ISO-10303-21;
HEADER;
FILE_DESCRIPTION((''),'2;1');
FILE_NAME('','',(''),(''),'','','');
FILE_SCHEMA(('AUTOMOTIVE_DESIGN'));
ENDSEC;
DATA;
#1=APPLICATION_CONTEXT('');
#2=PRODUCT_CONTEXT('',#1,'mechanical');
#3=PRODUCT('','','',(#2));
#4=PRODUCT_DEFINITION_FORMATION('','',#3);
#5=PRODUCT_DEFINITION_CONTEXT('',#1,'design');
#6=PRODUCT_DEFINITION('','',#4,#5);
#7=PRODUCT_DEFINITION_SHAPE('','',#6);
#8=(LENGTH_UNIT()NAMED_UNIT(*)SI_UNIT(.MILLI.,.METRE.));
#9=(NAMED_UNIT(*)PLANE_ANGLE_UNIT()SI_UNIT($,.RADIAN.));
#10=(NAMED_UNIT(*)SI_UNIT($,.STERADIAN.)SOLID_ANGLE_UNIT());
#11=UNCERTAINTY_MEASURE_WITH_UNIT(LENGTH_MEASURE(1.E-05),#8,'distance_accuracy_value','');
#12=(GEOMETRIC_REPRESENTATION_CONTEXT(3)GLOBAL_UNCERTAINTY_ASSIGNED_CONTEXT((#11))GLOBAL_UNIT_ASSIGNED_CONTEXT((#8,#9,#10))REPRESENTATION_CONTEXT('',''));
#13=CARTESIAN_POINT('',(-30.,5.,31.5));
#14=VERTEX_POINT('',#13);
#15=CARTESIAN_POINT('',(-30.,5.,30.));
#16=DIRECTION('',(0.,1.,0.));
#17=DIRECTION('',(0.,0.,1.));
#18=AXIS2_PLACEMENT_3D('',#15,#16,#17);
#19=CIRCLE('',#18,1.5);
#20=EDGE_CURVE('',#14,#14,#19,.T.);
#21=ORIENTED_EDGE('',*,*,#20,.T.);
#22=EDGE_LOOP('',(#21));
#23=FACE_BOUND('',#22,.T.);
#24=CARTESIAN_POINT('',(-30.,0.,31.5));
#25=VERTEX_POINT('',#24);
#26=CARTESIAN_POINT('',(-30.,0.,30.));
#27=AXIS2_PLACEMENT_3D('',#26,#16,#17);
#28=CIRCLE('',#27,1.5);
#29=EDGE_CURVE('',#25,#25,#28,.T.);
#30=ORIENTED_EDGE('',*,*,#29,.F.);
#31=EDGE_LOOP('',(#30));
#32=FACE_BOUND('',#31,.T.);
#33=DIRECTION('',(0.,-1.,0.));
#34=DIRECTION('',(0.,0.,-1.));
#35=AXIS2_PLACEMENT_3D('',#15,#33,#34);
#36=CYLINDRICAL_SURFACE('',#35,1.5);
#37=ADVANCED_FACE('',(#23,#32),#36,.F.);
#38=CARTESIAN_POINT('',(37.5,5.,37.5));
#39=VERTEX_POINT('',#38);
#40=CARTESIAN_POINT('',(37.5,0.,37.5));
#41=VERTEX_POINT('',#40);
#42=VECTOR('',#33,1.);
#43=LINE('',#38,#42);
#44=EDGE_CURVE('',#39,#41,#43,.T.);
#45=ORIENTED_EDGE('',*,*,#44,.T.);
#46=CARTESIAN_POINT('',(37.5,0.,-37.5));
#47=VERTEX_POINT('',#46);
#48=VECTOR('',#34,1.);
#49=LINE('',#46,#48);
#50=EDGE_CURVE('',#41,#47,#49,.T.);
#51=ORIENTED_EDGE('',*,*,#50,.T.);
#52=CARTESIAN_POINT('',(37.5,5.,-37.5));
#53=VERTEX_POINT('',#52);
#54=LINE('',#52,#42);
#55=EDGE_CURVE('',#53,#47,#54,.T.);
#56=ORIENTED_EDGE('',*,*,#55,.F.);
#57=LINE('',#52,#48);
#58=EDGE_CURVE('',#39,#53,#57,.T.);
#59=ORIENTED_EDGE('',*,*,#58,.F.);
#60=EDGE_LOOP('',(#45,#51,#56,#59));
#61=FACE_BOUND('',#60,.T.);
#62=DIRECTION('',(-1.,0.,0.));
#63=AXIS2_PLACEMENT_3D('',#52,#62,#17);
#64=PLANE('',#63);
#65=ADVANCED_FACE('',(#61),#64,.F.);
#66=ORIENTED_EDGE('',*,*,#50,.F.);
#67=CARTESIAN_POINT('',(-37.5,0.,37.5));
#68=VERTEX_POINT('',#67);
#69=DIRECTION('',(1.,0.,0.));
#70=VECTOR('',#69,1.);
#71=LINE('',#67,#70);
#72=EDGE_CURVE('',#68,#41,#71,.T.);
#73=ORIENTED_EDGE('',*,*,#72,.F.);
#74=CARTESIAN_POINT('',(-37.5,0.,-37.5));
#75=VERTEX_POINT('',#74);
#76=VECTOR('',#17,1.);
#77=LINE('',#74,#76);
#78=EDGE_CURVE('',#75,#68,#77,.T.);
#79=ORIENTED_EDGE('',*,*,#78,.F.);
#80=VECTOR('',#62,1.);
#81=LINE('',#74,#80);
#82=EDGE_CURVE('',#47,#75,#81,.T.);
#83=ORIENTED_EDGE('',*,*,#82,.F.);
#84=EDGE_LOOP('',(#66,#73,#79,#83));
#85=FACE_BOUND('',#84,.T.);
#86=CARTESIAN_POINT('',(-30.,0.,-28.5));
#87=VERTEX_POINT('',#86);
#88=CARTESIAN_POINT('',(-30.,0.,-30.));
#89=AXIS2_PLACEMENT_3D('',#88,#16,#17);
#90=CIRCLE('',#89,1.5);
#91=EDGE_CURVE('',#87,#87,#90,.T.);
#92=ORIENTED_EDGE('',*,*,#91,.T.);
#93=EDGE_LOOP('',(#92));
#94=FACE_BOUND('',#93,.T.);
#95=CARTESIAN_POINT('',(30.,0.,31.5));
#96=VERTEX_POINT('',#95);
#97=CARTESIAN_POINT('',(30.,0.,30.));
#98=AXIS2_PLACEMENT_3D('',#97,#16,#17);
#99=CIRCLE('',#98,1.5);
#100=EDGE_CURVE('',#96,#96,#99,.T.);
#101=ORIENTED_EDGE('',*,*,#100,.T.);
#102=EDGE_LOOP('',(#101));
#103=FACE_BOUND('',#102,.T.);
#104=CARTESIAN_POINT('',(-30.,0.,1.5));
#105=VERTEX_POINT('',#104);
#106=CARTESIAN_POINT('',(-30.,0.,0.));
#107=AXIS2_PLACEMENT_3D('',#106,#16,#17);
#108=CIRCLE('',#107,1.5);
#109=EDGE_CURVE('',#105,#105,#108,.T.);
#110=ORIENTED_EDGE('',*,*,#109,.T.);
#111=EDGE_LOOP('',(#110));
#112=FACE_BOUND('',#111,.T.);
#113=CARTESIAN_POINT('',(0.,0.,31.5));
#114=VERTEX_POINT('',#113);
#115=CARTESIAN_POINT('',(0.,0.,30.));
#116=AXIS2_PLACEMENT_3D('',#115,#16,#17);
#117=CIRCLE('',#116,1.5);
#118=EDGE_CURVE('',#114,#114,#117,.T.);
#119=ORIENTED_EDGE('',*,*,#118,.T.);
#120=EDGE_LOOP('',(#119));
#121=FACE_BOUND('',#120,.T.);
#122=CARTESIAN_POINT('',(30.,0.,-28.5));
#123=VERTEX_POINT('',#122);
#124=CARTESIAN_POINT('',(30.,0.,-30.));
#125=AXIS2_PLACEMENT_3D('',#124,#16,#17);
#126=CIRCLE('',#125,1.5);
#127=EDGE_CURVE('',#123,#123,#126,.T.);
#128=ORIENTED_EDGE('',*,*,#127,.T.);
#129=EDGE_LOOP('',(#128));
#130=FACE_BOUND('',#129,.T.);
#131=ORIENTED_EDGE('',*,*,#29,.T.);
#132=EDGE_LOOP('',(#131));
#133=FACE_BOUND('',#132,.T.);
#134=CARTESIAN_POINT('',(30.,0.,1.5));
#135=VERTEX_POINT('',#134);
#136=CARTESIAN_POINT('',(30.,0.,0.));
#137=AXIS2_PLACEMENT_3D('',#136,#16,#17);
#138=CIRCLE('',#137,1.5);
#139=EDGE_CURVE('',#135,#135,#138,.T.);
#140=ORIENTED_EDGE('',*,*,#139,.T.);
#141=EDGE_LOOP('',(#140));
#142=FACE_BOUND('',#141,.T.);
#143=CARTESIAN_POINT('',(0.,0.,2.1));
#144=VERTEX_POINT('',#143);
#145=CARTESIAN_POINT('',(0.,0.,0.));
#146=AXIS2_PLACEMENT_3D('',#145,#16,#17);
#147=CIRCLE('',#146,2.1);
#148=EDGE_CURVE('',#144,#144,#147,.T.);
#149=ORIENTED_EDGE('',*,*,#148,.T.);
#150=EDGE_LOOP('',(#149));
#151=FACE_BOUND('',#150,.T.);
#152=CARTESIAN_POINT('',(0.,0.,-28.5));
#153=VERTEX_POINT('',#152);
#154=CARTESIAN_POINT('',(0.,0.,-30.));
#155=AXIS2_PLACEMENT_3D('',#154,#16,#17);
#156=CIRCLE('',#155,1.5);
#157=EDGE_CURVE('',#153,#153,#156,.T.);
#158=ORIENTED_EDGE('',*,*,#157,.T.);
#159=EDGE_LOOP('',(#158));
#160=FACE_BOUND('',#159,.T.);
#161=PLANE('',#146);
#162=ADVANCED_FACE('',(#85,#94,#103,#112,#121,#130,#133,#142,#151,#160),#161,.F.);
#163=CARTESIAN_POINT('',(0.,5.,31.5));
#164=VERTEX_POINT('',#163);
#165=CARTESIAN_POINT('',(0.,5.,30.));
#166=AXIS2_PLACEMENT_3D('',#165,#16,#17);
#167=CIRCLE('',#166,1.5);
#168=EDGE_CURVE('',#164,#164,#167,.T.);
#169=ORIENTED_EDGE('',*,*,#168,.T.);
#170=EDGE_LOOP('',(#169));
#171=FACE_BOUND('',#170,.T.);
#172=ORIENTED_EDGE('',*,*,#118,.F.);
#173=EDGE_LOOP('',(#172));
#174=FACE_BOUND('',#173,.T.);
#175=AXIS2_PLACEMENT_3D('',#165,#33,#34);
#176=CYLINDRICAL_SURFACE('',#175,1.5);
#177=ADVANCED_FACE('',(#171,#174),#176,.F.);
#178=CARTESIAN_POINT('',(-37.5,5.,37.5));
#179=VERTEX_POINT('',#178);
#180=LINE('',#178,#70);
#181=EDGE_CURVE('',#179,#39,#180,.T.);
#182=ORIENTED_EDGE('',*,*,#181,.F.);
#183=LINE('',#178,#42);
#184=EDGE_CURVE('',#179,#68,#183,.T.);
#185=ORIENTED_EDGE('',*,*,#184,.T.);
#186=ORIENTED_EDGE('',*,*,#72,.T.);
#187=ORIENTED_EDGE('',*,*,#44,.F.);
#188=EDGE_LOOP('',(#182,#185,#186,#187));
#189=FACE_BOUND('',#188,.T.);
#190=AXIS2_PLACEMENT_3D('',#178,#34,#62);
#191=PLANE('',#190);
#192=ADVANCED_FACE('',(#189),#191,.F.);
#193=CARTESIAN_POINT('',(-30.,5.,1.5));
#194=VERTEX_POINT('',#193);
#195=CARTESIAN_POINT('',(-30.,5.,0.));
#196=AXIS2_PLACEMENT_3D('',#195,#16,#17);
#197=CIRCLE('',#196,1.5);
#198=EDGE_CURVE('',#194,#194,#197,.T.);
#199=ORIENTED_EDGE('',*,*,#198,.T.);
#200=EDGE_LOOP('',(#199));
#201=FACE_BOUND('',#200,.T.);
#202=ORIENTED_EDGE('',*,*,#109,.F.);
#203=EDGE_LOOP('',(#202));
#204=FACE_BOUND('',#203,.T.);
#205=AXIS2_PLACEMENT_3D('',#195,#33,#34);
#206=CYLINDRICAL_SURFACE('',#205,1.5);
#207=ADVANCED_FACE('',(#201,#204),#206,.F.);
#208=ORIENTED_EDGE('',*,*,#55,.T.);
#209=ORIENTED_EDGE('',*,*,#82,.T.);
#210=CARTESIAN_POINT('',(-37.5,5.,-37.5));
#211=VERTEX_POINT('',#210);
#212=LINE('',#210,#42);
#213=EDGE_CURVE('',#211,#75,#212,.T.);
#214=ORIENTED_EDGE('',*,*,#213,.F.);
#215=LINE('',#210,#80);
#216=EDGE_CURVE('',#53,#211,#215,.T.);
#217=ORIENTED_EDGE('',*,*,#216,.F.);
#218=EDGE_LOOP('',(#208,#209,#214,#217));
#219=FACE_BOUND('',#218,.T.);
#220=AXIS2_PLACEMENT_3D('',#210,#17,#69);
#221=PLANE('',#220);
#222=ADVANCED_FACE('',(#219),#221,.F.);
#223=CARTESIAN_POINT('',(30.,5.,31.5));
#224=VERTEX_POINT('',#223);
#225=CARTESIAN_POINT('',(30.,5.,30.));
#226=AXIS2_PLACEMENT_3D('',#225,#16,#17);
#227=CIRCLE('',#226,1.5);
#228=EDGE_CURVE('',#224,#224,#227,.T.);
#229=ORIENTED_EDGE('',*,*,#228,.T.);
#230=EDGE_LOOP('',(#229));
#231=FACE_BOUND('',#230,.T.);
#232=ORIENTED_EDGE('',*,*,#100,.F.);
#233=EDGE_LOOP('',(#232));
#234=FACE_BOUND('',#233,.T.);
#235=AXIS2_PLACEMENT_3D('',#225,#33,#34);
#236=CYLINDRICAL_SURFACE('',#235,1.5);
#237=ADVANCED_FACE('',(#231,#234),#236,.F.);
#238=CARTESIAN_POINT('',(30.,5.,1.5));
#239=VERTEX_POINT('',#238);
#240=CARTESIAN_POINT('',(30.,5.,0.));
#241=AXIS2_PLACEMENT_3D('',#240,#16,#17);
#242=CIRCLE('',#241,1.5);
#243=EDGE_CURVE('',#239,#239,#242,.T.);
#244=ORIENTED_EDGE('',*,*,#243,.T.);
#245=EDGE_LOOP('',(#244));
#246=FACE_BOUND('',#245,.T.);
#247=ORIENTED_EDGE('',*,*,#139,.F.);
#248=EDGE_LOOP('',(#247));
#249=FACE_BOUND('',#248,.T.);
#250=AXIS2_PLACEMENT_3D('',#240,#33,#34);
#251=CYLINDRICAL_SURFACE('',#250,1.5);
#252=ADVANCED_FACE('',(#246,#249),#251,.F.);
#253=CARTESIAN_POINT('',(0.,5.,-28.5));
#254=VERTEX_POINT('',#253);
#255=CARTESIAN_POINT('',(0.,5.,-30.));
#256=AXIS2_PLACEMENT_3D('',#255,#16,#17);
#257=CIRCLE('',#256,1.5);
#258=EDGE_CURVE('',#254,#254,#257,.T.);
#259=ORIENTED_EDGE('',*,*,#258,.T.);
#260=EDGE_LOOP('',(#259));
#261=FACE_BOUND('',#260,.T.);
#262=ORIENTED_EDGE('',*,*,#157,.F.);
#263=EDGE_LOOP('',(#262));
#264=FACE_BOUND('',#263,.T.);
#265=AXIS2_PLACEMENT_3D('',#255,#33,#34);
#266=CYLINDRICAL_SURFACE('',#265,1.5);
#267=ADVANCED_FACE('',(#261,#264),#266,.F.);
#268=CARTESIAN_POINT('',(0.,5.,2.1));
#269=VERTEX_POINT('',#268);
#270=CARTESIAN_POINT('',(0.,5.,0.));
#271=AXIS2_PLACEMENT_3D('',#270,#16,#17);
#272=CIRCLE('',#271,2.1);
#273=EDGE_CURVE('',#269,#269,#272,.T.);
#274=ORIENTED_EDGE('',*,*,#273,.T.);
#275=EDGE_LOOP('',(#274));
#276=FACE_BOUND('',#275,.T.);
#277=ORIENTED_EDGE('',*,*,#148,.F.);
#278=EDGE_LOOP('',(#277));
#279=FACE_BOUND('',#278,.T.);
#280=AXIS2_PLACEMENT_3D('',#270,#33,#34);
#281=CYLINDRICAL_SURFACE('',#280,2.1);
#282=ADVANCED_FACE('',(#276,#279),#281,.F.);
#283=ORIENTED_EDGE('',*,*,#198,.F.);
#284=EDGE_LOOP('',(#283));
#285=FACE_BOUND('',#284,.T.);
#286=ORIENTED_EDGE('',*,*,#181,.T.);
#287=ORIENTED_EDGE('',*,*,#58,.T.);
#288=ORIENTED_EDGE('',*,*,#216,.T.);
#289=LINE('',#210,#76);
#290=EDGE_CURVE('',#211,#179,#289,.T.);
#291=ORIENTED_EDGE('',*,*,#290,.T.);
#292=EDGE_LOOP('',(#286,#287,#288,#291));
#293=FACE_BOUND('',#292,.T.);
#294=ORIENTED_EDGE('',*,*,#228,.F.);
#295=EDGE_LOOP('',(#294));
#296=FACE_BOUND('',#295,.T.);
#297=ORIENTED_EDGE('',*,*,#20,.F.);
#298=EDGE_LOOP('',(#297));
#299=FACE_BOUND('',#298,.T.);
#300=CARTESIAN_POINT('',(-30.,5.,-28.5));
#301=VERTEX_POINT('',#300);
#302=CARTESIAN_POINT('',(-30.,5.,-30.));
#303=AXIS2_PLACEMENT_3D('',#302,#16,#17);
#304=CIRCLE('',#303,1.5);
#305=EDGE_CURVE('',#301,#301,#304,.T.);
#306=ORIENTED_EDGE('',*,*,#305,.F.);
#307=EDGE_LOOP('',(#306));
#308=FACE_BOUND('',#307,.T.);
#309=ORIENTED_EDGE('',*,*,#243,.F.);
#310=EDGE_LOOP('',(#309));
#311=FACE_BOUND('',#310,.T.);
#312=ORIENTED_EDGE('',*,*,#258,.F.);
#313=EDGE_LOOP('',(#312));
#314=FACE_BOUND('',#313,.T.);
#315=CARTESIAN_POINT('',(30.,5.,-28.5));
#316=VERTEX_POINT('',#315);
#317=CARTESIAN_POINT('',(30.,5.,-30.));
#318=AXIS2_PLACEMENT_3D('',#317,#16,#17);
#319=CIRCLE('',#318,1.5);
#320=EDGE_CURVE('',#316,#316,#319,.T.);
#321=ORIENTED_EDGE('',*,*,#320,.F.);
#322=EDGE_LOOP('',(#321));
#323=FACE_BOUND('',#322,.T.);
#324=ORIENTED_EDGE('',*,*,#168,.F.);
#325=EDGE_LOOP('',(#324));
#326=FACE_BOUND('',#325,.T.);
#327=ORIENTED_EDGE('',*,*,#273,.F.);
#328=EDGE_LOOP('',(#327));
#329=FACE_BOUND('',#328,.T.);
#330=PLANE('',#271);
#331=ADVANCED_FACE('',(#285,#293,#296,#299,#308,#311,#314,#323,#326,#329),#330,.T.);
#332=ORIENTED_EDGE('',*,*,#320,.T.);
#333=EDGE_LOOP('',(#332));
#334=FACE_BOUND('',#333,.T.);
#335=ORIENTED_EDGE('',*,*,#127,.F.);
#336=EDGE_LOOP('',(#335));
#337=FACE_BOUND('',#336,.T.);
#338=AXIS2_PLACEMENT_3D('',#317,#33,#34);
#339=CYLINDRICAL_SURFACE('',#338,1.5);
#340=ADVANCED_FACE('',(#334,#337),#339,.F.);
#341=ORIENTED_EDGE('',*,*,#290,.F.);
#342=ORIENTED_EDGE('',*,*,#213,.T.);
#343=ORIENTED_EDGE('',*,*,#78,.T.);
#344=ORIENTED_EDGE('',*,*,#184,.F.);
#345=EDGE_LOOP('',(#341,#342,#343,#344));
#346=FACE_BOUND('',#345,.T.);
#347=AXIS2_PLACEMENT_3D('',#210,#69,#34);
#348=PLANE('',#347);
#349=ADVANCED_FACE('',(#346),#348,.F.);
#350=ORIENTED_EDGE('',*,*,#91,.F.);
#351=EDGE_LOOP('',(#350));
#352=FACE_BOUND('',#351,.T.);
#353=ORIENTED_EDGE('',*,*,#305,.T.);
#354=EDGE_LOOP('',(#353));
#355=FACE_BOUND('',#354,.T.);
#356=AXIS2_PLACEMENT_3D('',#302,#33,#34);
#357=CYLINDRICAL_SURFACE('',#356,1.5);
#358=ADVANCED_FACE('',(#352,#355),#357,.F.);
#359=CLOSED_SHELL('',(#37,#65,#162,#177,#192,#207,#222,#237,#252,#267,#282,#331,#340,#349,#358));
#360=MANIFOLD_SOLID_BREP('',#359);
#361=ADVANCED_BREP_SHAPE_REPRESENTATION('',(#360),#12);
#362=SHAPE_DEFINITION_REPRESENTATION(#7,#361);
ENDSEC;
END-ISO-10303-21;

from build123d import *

# Parameters (mm, degrees)
CROQUIS1_W              = 75
CROQUIS1_H              = 75
CROQUIS1_R              = 1.5
CROQUIS1_R_2            = 2.1
SALIENTE_EXTRUIR1_DEPTH = 5


with BuildPart() as part:
    # Croquis1 → Saliente-Extruir1 (new body)
    with BuildSketch(Plane(origin=(0, 0, 0), x_dir=(1, 0, 0), z_dir=(0, 1, 0))):
        Rectangle(CROQUIS1_W, CROQUIS1_H)
        with Locations(Location((30, 0, 0), (0, 0, 270))):
            Circle(CROQUIS1_R, mode=Mode.SUBTRACT)
        with Locations(Location((30, 30, 0), (0, 0, 270))):
            Circle(CROQUIS1_R, mode=Mode.SUBTRACT)
        with Locations(Location((0, 30, 0), (0, 0, 270))):
            Circle(CROQUIS1_R, mode=Mode.SUBTRACT)
        with Locations(Location((-30, 30, 0), (0, 0, 270))):
            Circle(CROQUIS1_R, mode=Mode.SUBTRACT)
        with Locations(Location((-30, 0, 0), (0, 0, 270))):
            Circle(CROQUIS1_R, mode=Mode.SUBTRACT)
        with Locations(Location((-30, -30, 0), (0, 0, 270))):
            Circle(CROQUIS1_R, mode=Mode.SUBTRACT)
        with Locations(Location((0, -30, 0), (0, 0, 270))):
            Circle(CROQUIS1_R, mode=Mode.SUBTRACT)
        with Locations(Location((30, -30, 0), (0, 0, 270))):
            Circle(CROQUIS1_R, mode=Mode.SUBTRACT)
        with Locations(Location((0, 0, 0), (0, 0, 270))):
            Circle(CROQUIS1_R_2, mode=Mode.SUBTRACT)
    extrude(amount=SALIENTE_EXTRUIR1_DEPTH)


solid = part.part
